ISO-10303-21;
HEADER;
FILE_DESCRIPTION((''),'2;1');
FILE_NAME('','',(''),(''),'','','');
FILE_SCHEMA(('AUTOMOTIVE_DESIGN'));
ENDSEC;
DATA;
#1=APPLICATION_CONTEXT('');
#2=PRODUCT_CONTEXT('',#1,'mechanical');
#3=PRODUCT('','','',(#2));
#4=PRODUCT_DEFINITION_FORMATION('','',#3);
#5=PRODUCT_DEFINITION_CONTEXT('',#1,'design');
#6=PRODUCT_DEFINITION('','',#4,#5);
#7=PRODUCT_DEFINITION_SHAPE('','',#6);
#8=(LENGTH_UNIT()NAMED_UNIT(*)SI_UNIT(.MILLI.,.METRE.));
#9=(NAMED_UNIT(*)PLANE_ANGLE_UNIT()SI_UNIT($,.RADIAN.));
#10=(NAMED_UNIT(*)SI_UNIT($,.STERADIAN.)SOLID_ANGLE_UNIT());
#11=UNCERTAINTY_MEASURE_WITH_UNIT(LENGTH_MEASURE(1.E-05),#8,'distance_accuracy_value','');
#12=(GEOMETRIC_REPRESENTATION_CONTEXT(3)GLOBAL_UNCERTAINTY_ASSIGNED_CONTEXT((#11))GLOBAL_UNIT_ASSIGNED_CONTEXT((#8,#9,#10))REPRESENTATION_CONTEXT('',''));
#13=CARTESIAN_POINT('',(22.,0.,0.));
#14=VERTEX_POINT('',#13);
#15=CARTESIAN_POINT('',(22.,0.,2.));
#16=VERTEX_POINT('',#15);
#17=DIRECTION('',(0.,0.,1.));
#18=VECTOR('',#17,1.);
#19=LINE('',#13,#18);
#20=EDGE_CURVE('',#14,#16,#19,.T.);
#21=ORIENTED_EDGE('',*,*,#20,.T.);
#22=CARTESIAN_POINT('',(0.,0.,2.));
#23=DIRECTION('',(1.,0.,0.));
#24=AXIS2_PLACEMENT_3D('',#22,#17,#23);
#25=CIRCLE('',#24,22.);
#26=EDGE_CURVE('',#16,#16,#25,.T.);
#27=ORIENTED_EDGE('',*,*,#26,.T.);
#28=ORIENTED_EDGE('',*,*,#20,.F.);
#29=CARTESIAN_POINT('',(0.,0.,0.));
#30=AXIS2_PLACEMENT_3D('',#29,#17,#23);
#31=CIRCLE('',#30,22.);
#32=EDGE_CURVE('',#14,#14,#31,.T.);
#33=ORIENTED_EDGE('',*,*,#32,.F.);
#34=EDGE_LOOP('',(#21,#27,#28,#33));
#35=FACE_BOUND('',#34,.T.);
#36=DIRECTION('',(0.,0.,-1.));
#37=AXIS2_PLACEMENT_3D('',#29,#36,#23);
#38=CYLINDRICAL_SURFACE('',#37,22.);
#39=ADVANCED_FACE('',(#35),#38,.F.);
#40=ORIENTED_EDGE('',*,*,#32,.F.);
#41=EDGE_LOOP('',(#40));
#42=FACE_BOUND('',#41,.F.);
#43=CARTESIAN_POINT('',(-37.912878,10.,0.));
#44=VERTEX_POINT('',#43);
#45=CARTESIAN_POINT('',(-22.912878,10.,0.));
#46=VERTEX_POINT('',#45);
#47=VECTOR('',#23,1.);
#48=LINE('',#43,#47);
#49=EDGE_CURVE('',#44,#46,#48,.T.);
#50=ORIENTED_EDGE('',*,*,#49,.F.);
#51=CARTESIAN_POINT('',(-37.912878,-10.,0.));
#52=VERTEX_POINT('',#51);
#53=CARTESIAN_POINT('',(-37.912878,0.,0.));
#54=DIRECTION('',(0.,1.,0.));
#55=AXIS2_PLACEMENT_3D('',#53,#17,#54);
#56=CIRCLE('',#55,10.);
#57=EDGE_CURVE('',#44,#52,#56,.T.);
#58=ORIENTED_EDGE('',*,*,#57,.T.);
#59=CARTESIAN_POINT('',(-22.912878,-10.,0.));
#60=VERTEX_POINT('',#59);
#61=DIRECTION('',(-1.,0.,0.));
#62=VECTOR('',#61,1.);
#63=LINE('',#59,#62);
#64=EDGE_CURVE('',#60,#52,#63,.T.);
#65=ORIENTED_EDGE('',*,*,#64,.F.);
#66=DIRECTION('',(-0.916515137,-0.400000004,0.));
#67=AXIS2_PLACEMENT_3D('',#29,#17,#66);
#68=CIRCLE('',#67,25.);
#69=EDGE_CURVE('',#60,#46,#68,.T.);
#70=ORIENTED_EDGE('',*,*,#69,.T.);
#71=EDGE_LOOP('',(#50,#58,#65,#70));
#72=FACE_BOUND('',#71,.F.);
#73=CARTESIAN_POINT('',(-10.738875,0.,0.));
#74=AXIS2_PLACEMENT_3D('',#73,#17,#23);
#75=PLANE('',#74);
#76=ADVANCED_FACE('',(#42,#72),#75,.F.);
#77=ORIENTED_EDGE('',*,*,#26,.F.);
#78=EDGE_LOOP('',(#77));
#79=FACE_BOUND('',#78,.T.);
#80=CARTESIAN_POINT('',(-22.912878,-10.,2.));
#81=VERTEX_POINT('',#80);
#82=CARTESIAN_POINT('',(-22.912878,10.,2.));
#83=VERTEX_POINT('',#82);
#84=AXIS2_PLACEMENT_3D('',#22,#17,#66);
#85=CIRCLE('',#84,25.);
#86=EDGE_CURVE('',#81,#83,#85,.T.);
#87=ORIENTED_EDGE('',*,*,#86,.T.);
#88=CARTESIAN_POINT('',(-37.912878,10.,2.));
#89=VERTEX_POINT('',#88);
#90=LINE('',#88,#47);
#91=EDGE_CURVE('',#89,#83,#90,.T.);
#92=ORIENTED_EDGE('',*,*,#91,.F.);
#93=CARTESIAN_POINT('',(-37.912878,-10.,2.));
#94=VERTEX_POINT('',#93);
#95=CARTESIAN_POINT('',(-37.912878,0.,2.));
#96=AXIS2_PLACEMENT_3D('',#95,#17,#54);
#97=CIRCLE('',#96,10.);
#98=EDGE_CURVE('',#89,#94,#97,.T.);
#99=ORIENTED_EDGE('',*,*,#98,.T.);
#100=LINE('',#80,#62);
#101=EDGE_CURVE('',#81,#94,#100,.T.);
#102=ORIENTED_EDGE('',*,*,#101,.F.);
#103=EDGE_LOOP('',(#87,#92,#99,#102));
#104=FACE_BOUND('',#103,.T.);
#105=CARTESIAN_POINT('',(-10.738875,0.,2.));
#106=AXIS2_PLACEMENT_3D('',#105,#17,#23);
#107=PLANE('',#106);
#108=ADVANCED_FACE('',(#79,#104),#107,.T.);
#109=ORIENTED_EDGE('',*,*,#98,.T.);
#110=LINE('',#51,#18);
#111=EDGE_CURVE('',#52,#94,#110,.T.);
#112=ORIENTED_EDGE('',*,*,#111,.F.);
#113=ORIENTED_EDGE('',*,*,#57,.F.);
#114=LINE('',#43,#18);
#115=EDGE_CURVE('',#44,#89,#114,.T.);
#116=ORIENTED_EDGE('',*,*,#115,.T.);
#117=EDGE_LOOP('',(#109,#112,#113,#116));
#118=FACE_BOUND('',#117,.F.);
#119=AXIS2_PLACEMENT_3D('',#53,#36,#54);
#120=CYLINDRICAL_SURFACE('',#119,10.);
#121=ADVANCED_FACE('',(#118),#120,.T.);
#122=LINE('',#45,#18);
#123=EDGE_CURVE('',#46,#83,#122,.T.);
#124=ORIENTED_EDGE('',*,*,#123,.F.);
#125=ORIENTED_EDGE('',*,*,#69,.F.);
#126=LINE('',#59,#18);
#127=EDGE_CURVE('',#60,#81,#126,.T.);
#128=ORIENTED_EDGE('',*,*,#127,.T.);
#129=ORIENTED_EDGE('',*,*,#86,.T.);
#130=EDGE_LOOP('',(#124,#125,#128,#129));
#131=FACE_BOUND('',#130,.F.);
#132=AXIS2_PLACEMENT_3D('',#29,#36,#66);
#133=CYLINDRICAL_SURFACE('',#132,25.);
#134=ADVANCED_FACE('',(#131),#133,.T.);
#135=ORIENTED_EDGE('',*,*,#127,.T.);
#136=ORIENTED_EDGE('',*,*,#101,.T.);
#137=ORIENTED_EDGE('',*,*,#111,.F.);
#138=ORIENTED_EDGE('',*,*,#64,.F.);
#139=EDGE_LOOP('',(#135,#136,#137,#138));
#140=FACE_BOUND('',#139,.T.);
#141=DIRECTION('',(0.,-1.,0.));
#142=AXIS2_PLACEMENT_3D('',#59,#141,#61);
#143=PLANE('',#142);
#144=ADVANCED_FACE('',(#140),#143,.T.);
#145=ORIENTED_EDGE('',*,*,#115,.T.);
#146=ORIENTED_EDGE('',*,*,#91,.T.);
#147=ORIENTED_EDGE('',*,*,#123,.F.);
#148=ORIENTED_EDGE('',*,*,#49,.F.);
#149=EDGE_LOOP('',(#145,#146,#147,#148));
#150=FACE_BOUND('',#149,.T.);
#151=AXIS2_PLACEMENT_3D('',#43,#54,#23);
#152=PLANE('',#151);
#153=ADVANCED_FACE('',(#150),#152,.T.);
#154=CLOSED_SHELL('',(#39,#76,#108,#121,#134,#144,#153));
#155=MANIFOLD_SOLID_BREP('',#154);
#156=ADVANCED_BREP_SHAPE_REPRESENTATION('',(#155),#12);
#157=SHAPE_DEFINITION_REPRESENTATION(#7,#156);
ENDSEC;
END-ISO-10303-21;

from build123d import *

# Parameters (mm, degrees)
SKETCH_R  = 22
PAD_DEPTH = 2


with BuildPart() as part:
    # Sketch → Pad (new body)
    with BuildSketch(Plane.XY):
        with BuildLine():
            ThreePointArc((-22.912878, -10), (25, 0), (-22.912878, 10))
            Line((-37.912878, 10), (-22.912878, 10))
            ThreePointArc((-37.912878, 10), (-47.912878, 0), (-37.912878, -10))
            Line((-22.912878, -10), (-37.912878, -10))
        make_face()
        Circle(SKETCH_R, mode=Mode.SUBTRACT)
    extrude(amount=PAD_DEPTH)


solid = part.part
